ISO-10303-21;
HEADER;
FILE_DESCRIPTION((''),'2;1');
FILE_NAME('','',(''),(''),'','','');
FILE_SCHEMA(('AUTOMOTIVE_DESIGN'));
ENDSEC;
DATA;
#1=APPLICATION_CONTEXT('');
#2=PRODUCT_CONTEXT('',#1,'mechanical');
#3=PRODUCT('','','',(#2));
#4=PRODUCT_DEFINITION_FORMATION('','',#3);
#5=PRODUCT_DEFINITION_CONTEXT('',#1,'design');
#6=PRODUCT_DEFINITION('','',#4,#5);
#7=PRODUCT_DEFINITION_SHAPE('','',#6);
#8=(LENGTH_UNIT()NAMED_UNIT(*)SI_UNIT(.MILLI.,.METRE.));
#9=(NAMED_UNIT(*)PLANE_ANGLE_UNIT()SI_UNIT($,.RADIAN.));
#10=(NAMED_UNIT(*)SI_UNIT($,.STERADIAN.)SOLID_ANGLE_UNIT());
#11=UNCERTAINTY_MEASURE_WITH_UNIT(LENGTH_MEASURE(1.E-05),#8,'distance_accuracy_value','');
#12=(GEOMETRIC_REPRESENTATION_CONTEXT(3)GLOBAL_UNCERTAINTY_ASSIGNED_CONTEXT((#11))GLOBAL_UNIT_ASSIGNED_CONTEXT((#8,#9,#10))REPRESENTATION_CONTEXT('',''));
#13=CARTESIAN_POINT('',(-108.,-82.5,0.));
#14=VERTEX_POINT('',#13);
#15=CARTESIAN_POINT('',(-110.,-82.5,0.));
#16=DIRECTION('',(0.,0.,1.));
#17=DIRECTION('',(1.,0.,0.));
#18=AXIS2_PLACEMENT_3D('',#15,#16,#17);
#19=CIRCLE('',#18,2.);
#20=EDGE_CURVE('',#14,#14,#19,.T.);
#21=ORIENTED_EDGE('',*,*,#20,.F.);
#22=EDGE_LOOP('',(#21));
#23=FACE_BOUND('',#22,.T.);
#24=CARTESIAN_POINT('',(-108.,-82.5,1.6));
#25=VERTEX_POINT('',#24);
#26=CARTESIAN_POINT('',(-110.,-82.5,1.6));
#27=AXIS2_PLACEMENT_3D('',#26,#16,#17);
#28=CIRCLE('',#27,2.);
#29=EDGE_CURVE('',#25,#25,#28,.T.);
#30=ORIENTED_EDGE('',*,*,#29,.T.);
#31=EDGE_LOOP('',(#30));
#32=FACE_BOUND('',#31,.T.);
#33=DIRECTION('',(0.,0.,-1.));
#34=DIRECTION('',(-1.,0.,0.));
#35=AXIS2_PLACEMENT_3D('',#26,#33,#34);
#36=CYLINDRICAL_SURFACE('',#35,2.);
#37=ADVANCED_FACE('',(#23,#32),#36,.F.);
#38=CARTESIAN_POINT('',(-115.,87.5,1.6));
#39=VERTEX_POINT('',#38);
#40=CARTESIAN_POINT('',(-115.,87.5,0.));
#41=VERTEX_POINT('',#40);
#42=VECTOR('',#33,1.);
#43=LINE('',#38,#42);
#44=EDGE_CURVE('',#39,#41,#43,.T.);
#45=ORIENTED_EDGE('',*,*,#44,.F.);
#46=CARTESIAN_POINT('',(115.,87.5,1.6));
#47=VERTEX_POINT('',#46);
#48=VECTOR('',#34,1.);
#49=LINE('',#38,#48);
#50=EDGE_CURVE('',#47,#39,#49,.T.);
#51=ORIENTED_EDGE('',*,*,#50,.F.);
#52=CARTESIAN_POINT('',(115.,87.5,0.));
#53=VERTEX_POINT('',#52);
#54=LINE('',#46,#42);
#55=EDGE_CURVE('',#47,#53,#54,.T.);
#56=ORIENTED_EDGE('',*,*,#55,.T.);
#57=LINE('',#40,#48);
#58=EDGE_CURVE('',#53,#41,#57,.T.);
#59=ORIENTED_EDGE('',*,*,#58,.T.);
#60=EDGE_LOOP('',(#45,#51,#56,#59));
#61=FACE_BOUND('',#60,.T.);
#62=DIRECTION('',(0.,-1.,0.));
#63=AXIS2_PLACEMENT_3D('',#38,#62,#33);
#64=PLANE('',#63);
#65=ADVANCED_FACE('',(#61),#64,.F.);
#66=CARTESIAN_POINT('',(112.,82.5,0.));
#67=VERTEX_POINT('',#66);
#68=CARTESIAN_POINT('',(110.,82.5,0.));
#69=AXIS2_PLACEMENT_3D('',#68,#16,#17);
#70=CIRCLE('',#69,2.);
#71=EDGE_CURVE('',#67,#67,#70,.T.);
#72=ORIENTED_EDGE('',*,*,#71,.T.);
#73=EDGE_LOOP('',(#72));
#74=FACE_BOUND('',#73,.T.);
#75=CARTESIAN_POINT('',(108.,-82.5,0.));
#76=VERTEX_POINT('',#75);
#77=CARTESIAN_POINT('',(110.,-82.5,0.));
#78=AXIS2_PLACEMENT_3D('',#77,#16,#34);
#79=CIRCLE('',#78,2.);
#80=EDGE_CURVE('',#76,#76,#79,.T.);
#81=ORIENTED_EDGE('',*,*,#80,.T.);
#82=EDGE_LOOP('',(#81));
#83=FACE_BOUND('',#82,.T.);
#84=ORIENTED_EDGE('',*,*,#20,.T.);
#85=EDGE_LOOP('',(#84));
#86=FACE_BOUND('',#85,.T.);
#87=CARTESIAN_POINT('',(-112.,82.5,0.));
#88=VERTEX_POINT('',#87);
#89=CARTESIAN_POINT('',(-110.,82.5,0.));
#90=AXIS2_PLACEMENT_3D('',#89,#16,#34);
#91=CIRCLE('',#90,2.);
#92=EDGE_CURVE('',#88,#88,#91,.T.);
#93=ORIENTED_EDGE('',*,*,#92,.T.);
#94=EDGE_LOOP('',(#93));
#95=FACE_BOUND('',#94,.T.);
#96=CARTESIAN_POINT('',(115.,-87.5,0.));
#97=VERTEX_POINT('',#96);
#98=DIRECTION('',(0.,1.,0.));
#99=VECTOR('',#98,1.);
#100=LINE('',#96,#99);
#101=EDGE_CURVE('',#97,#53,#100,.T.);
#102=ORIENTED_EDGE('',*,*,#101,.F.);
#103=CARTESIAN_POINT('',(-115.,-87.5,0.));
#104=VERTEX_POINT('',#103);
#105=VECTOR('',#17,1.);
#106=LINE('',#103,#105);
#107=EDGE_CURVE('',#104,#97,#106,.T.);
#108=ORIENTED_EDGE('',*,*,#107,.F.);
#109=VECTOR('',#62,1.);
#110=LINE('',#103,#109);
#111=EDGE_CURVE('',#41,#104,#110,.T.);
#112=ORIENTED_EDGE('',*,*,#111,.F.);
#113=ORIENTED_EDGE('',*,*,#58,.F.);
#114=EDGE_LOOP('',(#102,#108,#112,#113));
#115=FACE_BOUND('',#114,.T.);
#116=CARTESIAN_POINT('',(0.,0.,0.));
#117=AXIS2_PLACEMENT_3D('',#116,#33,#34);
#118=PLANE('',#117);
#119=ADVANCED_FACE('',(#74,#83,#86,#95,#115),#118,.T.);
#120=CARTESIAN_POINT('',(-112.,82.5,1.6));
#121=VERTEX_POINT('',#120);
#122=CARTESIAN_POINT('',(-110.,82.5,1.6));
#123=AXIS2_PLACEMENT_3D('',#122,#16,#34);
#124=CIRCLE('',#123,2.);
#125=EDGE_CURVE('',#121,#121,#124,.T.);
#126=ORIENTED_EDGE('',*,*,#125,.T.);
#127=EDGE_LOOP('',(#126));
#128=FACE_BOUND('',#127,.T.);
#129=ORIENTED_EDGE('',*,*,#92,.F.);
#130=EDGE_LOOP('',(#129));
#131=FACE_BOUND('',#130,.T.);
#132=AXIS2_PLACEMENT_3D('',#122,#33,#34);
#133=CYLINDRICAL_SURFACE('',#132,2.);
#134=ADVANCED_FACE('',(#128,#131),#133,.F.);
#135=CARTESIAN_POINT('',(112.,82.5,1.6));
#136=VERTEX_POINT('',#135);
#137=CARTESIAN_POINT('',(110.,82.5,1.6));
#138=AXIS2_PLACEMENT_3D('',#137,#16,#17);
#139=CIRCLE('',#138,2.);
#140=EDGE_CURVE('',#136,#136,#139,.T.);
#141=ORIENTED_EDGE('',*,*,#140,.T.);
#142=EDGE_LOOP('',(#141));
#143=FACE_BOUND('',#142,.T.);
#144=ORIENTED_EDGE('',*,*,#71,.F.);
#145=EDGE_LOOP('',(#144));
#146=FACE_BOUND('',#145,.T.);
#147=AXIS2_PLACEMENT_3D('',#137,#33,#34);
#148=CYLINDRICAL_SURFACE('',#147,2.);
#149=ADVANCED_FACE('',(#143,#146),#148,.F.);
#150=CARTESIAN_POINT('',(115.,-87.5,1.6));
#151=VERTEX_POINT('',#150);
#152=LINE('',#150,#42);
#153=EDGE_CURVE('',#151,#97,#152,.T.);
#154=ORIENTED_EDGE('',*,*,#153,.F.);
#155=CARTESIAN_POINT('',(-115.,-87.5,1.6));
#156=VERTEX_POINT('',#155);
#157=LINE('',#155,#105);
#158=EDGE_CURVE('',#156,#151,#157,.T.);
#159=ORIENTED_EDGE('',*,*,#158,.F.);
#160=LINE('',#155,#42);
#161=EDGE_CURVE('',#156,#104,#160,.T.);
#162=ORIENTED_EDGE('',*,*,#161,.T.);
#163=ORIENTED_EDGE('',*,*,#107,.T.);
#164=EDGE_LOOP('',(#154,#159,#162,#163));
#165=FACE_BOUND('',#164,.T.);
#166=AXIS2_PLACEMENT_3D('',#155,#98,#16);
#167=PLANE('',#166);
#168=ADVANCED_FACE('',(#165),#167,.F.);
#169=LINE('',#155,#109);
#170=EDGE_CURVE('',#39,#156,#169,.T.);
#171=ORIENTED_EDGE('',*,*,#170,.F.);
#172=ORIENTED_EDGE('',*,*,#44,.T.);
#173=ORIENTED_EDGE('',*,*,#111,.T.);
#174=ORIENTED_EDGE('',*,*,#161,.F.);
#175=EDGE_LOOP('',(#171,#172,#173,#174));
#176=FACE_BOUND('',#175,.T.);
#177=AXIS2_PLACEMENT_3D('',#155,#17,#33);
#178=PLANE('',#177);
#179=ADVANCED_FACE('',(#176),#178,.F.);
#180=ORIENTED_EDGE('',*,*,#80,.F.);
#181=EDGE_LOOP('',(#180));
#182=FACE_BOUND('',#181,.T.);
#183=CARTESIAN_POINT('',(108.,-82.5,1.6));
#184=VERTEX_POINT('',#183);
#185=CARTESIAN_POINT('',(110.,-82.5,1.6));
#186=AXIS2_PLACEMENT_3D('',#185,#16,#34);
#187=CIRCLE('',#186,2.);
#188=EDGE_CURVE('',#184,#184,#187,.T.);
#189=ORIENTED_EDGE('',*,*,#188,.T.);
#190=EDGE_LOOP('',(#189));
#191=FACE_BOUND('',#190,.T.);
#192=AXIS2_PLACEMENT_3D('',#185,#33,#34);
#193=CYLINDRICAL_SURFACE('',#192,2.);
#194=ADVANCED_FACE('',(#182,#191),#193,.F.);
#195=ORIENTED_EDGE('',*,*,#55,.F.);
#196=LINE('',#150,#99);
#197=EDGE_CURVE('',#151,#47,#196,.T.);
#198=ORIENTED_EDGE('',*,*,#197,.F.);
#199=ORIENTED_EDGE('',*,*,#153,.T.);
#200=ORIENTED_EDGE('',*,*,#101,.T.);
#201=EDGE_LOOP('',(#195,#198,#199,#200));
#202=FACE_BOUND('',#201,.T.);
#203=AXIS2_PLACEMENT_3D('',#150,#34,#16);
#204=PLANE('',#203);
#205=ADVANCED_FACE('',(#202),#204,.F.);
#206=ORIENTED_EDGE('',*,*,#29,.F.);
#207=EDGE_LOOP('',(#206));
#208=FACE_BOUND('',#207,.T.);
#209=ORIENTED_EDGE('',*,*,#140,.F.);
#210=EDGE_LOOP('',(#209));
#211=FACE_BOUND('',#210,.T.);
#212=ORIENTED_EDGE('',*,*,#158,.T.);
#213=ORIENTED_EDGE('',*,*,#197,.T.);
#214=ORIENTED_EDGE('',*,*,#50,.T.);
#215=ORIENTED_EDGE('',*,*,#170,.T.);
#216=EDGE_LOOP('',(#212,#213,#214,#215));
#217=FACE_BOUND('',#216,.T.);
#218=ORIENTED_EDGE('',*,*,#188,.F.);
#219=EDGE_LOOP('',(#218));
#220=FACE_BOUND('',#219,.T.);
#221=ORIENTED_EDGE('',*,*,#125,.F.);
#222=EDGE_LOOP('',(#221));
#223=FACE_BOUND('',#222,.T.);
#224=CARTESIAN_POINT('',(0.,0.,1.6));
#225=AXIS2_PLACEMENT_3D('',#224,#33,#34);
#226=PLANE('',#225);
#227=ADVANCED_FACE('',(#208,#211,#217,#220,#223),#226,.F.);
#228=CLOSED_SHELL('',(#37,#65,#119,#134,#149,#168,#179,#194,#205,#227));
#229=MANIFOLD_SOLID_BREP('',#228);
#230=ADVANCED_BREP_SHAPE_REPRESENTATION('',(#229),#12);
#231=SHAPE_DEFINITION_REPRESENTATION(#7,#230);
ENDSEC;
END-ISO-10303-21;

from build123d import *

# Parameters (mm, degrees)
SKETCH1_W           = 230
SKETCH1_H           = 175
SKETCH1_R           = 2
BOSS_EXTRUDE1_DEPTH = 1.6


with BuildPart() as part:
    # Sketch1 → Boss-Extrude1 (new body)
    with BuildSketch(Plane.XY):
        Rectangle(SKETCH1_W, SKETCH1_H)
        with Locations((110, 82.5)):
            Circle(SKETCH1_R, mode=Mode.SUBTRACT)
        with Locations(Location((110, -82.5, 0), (0, 0, 180))):
            Circle(SKETCH1_R, mode=Mode.SUBTRACT)
        with Locations((-110, -82.5)):
            Circle(SKETCH1_R, mode=Mode.SUBTRACT)
        with Locations(Location((-110, 82.5, 0), (0, 0, 180))):
            Circle(SKETCH1_R, mode=Mode.SUBTRACT)
    extrude(amount=BOSS_EXTRUDE1_DEPTH)


solid = part.part
